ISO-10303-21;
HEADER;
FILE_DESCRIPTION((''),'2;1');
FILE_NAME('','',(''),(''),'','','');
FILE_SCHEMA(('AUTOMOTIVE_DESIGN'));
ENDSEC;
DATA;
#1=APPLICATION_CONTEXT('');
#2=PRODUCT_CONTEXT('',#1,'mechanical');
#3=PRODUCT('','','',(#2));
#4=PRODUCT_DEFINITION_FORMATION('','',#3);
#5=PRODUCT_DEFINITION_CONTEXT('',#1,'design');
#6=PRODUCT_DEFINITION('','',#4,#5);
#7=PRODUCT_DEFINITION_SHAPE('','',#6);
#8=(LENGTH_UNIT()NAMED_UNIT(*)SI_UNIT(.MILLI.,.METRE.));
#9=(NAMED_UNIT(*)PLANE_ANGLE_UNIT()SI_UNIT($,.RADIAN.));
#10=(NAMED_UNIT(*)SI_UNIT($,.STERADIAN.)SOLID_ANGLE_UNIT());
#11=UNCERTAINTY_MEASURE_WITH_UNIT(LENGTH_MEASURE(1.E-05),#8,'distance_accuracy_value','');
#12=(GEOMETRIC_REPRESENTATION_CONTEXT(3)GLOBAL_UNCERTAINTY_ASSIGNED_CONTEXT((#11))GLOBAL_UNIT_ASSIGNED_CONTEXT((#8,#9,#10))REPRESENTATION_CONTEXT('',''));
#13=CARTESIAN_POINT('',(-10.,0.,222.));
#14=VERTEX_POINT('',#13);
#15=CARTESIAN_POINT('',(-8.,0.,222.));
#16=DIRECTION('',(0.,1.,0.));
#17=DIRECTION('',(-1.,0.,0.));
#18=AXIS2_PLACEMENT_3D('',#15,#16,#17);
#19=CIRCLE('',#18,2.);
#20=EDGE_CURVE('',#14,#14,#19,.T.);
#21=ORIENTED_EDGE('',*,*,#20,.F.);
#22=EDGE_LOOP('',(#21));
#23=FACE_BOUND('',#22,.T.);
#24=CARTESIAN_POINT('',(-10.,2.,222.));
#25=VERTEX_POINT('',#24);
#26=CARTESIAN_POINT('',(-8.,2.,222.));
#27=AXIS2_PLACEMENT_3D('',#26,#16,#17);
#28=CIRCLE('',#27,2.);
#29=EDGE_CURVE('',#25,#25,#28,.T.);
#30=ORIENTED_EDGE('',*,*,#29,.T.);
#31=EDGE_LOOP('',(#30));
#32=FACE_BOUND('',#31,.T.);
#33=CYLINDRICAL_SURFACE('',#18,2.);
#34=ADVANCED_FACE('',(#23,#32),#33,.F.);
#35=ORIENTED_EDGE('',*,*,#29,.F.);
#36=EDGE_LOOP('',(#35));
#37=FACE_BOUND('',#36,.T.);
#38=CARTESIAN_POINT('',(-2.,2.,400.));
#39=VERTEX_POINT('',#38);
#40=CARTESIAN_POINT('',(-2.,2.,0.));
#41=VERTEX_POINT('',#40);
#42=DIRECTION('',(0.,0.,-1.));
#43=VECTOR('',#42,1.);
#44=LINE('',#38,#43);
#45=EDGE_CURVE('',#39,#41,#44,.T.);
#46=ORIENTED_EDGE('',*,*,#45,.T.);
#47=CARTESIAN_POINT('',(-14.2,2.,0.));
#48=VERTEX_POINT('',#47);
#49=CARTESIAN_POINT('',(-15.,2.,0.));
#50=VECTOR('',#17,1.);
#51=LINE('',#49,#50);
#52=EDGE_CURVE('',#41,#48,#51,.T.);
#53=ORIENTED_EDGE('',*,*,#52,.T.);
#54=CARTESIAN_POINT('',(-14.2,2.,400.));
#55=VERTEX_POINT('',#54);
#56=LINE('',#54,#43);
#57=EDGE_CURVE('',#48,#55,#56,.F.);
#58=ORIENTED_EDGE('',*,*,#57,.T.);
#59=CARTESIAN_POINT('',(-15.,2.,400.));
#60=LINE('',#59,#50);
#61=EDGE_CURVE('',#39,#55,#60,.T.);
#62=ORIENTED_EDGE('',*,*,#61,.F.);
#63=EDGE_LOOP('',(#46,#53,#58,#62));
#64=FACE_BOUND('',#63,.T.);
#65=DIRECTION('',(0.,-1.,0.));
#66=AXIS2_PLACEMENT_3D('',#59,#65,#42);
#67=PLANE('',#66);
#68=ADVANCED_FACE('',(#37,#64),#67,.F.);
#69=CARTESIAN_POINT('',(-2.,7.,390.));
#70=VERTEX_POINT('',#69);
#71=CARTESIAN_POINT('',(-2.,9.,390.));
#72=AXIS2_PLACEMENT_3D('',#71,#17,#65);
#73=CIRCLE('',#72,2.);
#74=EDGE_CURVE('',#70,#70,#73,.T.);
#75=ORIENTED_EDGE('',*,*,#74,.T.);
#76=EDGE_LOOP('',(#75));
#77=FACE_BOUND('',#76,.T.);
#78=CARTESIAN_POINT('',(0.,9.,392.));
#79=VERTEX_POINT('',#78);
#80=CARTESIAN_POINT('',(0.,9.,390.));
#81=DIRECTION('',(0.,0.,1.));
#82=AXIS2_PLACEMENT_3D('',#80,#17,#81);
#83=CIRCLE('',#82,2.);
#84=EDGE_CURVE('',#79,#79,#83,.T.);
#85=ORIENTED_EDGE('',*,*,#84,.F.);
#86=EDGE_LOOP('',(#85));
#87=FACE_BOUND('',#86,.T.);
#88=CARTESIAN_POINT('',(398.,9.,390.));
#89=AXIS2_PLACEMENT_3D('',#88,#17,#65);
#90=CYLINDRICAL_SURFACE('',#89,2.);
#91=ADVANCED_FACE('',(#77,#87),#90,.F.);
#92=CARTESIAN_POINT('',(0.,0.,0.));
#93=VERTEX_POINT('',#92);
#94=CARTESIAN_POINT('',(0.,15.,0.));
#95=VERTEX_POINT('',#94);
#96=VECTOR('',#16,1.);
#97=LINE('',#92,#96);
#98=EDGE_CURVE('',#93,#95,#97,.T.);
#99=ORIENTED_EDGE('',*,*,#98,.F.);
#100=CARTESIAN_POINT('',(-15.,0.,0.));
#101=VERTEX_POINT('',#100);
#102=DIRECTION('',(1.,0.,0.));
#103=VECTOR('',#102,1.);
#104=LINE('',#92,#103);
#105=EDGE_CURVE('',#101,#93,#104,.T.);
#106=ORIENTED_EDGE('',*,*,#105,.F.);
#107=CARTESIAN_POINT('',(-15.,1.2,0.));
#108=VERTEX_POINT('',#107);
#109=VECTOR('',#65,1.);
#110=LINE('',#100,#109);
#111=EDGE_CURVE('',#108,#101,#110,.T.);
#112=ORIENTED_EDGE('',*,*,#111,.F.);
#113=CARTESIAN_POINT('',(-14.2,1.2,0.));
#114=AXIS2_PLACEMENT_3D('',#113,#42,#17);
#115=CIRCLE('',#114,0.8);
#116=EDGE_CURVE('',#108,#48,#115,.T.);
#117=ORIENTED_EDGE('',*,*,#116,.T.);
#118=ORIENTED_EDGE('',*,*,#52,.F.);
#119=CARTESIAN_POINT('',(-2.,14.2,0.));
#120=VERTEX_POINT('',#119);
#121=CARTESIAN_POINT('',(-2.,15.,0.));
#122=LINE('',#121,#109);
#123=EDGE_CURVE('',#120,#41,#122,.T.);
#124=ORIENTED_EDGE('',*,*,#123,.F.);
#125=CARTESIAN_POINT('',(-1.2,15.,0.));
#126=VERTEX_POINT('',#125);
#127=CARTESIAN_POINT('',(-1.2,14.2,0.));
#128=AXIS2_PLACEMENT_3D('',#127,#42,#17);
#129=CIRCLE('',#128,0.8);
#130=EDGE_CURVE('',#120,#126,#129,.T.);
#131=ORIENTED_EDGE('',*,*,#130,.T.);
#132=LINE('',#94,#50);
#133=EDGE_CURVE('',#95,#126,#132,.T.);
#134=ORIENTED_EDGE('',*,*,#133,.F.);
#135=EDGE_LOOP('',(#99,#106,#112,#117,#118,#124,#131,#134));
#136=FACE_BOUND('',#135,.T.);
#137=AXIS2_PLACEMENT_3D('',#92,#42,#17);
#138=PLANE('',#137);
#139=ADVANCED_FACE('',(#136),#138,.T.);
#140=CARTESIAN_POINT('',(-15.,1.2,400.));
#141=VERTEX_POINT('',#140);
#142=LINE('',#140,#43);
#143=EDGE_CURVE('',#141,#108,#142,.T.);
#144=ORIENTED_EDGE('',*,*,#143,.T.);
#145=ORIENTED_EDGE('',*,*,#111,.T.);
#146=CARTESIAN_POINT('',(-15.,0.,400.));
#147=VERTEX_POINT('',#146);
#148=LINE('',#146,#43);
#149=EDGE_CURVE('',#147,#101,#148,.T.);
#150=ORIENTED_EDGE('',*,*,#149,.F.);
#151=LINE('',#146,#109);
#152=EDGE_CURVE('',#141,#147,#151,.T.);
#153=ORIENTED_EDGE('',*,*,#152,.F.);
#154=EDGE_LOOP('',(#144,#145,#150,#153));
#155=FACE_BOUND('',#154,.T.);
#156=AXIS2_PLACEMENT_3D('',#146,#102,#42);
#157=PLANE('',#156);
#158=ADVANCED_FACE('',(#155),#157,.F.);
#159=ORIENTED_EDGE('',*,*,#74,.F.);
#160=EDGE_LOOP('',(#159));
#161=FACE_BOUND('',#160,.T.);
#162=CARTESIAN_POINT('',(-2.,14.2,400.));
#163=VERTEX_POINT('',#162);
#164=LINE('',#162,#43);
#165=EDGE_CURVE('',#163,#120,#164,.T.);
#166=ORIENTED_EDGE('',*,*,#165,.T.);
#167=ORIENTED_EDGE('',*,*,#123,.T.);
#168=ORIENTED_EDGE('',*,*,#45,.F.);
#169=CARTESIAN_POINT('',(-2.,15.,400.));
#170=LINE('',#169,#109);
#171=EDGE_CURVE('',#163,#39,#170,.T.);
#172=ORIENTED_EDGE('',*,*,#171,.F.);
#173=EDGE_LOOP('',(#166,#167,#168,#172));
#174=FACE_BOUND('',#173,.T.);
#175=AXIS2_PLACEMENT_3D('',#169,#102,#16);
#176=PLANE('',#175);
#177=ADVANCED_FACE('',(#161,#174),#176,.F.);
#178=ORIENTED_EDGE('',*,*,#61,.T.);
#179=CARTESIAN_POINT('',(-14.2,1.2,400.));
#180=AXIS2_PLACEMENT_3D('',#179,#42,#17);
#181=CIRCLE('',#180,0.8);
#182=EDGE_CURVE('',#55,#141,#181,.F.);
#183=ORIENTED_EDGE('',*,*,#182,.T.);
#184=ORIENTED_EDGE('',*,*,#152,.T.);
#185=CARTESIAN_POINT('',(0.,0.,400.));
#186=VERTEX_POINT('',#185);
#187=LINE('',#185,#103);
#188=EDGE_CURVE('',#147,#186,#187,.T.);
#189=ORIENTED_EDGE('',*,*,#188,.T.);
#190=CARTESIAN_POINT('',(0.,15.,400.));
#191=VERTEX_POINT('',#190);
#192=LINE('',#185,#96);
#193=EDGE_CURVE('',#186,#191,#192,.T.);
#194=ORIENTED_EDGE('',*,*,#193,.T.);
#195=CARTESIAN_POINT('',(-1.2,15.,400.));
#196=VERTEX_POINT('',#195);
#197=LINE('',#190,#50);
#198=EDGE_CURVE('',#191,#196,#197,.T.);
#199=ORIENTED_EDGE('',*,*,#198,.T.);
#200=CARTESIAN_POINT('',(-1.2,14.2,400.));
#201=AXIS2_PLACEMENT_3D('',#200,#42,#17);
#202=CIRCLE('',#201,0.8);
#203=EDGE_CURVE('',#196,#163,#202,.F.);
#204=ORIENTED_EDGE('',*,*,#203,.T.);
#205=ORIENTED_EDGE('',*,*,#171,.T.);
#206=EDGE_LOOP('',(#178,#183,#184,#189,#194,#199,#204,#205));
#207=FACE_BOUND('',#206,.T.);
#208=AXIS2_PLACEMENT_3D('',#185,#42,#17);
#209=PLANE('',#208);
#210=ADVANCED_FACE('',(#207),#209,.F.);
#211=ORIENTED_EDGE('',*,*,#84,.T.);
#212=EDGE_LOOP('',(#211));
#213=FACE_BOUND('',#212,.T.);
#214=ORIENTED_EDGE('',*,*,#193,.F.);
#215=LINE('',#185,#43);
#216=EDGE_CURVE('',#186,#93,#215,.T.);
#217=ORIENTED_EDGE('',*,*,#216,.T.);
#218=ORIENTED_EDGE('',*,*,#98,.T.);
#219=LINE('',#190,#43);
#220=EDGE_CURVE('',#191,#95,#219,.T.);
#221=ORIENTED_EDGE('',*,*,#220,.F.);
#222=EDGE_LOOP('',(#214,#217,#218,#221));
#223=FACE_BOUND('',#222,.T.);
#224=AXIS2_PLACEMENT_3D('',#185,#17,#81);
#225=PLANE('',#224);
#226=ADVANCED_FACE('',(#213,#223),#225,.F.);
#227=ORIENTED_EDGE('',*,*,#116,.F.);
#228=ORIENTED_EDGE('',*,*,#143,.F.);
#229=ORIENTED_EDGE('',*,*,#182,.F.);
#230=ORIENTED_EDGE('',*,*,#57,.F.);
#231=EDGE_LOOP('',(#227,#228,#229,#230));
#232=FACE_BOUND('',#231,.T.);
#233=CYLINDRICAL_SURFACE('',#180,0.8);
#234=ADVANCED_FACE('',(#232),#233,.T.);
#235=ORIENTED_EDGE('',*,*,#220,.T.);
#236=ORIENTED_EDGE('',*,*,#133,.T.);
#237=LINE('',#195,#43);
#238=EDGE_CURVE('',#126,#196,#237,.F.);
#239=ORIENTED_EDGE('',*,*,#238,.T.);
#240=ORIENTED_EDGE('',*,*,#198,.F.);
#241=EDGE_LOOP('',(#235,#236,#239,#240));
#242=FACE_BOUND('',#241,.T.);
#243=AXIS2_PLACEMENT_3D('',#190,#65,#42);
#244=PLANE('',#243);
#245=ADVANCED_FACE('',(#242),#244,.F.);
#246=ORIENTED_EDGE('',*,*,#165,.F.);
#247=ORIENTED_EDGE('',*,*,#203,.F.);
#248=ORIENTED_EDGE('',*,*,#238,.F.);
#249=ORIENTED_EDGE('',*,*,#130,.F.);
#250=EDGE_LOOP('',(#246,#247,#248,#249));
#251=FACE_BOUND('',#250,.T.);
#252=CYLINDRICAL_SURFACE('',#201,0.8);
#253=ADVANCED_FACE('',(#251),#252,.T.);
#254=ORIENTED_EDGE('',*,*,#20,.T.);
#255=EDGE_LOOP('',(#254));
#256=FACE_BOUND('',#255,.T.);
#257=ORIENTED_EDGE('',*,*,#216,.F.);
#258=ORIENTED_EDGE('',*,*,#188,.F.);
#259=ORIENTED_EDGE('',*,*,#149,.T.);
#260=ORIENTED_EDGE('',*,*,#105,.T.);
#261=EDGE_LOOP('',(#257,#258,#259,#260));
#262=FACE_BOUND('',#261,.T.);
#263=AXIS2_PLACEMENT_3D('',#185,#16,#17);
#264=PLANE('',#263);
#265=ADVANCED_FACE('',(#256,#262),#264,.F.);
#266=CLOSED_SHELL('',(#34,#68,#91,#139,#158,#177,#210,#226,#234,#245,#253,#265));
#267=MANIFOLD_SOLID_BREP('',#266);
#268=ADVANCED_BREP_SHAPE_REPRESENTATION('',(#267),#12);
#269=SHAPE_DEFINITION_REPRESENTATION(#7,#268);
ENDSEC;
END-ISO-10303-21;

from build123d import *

# Parameters (mm, degrees)
EXTRUDE_1_DEPTH     = 400
FILLET_1_R          = 0.8
SKETCH_2_R          = 2
CUT_EXTRUDE_1_DEPTH = 2
SKETCH_3_R          = 2
CUT_EXTRUDE_2_DEPTH = 400


with BuildPart() as part:
    # 草图1 → 凸台-拉伸1 (new body)
    with BuildSketch(Plane.XY):
        Polygon((0, 0), (0, 15), (-2, 15), (-2, 2), (-15, 2), (-15, 0), align=None)
    extrude(amount=EXTRUDE_1_DEPTH)

    # 圆角1
    fillet_1_edges = [part.edges().sort_by_distance(p)[0] for p in [
        (-15, 2, 200),
        (-2, 15, 200),
    ]]
    fillet(fillet_1_edges, radius=FILLET_1_R)

    # 草图2 → 切除-拉伸1 (cut)
    with BuildSketch(Plane(origin=(0, 2, 0), x_dir=(1, 0, 0), z_dir=(0, 1, 0))):
        with Locations((-8, -222)):
            Circle(SKETCH_2_R)
    extrude(amount=-CUT_EXTRUDE_1_DEPTH, mode=Mode.SUBTRACT)

    # 草图3 → 切除-拉伸2 (cut)
    with BuildSketch(Plane.ZY.offset(2)):
        with Locations((390, 9)):
            Circle(SKETCH_3_R)
    extrude(amount=-CUT_EXTRUDE_2_DEPTH, mode=Mode.SUBTRACT)


solid = part.part
